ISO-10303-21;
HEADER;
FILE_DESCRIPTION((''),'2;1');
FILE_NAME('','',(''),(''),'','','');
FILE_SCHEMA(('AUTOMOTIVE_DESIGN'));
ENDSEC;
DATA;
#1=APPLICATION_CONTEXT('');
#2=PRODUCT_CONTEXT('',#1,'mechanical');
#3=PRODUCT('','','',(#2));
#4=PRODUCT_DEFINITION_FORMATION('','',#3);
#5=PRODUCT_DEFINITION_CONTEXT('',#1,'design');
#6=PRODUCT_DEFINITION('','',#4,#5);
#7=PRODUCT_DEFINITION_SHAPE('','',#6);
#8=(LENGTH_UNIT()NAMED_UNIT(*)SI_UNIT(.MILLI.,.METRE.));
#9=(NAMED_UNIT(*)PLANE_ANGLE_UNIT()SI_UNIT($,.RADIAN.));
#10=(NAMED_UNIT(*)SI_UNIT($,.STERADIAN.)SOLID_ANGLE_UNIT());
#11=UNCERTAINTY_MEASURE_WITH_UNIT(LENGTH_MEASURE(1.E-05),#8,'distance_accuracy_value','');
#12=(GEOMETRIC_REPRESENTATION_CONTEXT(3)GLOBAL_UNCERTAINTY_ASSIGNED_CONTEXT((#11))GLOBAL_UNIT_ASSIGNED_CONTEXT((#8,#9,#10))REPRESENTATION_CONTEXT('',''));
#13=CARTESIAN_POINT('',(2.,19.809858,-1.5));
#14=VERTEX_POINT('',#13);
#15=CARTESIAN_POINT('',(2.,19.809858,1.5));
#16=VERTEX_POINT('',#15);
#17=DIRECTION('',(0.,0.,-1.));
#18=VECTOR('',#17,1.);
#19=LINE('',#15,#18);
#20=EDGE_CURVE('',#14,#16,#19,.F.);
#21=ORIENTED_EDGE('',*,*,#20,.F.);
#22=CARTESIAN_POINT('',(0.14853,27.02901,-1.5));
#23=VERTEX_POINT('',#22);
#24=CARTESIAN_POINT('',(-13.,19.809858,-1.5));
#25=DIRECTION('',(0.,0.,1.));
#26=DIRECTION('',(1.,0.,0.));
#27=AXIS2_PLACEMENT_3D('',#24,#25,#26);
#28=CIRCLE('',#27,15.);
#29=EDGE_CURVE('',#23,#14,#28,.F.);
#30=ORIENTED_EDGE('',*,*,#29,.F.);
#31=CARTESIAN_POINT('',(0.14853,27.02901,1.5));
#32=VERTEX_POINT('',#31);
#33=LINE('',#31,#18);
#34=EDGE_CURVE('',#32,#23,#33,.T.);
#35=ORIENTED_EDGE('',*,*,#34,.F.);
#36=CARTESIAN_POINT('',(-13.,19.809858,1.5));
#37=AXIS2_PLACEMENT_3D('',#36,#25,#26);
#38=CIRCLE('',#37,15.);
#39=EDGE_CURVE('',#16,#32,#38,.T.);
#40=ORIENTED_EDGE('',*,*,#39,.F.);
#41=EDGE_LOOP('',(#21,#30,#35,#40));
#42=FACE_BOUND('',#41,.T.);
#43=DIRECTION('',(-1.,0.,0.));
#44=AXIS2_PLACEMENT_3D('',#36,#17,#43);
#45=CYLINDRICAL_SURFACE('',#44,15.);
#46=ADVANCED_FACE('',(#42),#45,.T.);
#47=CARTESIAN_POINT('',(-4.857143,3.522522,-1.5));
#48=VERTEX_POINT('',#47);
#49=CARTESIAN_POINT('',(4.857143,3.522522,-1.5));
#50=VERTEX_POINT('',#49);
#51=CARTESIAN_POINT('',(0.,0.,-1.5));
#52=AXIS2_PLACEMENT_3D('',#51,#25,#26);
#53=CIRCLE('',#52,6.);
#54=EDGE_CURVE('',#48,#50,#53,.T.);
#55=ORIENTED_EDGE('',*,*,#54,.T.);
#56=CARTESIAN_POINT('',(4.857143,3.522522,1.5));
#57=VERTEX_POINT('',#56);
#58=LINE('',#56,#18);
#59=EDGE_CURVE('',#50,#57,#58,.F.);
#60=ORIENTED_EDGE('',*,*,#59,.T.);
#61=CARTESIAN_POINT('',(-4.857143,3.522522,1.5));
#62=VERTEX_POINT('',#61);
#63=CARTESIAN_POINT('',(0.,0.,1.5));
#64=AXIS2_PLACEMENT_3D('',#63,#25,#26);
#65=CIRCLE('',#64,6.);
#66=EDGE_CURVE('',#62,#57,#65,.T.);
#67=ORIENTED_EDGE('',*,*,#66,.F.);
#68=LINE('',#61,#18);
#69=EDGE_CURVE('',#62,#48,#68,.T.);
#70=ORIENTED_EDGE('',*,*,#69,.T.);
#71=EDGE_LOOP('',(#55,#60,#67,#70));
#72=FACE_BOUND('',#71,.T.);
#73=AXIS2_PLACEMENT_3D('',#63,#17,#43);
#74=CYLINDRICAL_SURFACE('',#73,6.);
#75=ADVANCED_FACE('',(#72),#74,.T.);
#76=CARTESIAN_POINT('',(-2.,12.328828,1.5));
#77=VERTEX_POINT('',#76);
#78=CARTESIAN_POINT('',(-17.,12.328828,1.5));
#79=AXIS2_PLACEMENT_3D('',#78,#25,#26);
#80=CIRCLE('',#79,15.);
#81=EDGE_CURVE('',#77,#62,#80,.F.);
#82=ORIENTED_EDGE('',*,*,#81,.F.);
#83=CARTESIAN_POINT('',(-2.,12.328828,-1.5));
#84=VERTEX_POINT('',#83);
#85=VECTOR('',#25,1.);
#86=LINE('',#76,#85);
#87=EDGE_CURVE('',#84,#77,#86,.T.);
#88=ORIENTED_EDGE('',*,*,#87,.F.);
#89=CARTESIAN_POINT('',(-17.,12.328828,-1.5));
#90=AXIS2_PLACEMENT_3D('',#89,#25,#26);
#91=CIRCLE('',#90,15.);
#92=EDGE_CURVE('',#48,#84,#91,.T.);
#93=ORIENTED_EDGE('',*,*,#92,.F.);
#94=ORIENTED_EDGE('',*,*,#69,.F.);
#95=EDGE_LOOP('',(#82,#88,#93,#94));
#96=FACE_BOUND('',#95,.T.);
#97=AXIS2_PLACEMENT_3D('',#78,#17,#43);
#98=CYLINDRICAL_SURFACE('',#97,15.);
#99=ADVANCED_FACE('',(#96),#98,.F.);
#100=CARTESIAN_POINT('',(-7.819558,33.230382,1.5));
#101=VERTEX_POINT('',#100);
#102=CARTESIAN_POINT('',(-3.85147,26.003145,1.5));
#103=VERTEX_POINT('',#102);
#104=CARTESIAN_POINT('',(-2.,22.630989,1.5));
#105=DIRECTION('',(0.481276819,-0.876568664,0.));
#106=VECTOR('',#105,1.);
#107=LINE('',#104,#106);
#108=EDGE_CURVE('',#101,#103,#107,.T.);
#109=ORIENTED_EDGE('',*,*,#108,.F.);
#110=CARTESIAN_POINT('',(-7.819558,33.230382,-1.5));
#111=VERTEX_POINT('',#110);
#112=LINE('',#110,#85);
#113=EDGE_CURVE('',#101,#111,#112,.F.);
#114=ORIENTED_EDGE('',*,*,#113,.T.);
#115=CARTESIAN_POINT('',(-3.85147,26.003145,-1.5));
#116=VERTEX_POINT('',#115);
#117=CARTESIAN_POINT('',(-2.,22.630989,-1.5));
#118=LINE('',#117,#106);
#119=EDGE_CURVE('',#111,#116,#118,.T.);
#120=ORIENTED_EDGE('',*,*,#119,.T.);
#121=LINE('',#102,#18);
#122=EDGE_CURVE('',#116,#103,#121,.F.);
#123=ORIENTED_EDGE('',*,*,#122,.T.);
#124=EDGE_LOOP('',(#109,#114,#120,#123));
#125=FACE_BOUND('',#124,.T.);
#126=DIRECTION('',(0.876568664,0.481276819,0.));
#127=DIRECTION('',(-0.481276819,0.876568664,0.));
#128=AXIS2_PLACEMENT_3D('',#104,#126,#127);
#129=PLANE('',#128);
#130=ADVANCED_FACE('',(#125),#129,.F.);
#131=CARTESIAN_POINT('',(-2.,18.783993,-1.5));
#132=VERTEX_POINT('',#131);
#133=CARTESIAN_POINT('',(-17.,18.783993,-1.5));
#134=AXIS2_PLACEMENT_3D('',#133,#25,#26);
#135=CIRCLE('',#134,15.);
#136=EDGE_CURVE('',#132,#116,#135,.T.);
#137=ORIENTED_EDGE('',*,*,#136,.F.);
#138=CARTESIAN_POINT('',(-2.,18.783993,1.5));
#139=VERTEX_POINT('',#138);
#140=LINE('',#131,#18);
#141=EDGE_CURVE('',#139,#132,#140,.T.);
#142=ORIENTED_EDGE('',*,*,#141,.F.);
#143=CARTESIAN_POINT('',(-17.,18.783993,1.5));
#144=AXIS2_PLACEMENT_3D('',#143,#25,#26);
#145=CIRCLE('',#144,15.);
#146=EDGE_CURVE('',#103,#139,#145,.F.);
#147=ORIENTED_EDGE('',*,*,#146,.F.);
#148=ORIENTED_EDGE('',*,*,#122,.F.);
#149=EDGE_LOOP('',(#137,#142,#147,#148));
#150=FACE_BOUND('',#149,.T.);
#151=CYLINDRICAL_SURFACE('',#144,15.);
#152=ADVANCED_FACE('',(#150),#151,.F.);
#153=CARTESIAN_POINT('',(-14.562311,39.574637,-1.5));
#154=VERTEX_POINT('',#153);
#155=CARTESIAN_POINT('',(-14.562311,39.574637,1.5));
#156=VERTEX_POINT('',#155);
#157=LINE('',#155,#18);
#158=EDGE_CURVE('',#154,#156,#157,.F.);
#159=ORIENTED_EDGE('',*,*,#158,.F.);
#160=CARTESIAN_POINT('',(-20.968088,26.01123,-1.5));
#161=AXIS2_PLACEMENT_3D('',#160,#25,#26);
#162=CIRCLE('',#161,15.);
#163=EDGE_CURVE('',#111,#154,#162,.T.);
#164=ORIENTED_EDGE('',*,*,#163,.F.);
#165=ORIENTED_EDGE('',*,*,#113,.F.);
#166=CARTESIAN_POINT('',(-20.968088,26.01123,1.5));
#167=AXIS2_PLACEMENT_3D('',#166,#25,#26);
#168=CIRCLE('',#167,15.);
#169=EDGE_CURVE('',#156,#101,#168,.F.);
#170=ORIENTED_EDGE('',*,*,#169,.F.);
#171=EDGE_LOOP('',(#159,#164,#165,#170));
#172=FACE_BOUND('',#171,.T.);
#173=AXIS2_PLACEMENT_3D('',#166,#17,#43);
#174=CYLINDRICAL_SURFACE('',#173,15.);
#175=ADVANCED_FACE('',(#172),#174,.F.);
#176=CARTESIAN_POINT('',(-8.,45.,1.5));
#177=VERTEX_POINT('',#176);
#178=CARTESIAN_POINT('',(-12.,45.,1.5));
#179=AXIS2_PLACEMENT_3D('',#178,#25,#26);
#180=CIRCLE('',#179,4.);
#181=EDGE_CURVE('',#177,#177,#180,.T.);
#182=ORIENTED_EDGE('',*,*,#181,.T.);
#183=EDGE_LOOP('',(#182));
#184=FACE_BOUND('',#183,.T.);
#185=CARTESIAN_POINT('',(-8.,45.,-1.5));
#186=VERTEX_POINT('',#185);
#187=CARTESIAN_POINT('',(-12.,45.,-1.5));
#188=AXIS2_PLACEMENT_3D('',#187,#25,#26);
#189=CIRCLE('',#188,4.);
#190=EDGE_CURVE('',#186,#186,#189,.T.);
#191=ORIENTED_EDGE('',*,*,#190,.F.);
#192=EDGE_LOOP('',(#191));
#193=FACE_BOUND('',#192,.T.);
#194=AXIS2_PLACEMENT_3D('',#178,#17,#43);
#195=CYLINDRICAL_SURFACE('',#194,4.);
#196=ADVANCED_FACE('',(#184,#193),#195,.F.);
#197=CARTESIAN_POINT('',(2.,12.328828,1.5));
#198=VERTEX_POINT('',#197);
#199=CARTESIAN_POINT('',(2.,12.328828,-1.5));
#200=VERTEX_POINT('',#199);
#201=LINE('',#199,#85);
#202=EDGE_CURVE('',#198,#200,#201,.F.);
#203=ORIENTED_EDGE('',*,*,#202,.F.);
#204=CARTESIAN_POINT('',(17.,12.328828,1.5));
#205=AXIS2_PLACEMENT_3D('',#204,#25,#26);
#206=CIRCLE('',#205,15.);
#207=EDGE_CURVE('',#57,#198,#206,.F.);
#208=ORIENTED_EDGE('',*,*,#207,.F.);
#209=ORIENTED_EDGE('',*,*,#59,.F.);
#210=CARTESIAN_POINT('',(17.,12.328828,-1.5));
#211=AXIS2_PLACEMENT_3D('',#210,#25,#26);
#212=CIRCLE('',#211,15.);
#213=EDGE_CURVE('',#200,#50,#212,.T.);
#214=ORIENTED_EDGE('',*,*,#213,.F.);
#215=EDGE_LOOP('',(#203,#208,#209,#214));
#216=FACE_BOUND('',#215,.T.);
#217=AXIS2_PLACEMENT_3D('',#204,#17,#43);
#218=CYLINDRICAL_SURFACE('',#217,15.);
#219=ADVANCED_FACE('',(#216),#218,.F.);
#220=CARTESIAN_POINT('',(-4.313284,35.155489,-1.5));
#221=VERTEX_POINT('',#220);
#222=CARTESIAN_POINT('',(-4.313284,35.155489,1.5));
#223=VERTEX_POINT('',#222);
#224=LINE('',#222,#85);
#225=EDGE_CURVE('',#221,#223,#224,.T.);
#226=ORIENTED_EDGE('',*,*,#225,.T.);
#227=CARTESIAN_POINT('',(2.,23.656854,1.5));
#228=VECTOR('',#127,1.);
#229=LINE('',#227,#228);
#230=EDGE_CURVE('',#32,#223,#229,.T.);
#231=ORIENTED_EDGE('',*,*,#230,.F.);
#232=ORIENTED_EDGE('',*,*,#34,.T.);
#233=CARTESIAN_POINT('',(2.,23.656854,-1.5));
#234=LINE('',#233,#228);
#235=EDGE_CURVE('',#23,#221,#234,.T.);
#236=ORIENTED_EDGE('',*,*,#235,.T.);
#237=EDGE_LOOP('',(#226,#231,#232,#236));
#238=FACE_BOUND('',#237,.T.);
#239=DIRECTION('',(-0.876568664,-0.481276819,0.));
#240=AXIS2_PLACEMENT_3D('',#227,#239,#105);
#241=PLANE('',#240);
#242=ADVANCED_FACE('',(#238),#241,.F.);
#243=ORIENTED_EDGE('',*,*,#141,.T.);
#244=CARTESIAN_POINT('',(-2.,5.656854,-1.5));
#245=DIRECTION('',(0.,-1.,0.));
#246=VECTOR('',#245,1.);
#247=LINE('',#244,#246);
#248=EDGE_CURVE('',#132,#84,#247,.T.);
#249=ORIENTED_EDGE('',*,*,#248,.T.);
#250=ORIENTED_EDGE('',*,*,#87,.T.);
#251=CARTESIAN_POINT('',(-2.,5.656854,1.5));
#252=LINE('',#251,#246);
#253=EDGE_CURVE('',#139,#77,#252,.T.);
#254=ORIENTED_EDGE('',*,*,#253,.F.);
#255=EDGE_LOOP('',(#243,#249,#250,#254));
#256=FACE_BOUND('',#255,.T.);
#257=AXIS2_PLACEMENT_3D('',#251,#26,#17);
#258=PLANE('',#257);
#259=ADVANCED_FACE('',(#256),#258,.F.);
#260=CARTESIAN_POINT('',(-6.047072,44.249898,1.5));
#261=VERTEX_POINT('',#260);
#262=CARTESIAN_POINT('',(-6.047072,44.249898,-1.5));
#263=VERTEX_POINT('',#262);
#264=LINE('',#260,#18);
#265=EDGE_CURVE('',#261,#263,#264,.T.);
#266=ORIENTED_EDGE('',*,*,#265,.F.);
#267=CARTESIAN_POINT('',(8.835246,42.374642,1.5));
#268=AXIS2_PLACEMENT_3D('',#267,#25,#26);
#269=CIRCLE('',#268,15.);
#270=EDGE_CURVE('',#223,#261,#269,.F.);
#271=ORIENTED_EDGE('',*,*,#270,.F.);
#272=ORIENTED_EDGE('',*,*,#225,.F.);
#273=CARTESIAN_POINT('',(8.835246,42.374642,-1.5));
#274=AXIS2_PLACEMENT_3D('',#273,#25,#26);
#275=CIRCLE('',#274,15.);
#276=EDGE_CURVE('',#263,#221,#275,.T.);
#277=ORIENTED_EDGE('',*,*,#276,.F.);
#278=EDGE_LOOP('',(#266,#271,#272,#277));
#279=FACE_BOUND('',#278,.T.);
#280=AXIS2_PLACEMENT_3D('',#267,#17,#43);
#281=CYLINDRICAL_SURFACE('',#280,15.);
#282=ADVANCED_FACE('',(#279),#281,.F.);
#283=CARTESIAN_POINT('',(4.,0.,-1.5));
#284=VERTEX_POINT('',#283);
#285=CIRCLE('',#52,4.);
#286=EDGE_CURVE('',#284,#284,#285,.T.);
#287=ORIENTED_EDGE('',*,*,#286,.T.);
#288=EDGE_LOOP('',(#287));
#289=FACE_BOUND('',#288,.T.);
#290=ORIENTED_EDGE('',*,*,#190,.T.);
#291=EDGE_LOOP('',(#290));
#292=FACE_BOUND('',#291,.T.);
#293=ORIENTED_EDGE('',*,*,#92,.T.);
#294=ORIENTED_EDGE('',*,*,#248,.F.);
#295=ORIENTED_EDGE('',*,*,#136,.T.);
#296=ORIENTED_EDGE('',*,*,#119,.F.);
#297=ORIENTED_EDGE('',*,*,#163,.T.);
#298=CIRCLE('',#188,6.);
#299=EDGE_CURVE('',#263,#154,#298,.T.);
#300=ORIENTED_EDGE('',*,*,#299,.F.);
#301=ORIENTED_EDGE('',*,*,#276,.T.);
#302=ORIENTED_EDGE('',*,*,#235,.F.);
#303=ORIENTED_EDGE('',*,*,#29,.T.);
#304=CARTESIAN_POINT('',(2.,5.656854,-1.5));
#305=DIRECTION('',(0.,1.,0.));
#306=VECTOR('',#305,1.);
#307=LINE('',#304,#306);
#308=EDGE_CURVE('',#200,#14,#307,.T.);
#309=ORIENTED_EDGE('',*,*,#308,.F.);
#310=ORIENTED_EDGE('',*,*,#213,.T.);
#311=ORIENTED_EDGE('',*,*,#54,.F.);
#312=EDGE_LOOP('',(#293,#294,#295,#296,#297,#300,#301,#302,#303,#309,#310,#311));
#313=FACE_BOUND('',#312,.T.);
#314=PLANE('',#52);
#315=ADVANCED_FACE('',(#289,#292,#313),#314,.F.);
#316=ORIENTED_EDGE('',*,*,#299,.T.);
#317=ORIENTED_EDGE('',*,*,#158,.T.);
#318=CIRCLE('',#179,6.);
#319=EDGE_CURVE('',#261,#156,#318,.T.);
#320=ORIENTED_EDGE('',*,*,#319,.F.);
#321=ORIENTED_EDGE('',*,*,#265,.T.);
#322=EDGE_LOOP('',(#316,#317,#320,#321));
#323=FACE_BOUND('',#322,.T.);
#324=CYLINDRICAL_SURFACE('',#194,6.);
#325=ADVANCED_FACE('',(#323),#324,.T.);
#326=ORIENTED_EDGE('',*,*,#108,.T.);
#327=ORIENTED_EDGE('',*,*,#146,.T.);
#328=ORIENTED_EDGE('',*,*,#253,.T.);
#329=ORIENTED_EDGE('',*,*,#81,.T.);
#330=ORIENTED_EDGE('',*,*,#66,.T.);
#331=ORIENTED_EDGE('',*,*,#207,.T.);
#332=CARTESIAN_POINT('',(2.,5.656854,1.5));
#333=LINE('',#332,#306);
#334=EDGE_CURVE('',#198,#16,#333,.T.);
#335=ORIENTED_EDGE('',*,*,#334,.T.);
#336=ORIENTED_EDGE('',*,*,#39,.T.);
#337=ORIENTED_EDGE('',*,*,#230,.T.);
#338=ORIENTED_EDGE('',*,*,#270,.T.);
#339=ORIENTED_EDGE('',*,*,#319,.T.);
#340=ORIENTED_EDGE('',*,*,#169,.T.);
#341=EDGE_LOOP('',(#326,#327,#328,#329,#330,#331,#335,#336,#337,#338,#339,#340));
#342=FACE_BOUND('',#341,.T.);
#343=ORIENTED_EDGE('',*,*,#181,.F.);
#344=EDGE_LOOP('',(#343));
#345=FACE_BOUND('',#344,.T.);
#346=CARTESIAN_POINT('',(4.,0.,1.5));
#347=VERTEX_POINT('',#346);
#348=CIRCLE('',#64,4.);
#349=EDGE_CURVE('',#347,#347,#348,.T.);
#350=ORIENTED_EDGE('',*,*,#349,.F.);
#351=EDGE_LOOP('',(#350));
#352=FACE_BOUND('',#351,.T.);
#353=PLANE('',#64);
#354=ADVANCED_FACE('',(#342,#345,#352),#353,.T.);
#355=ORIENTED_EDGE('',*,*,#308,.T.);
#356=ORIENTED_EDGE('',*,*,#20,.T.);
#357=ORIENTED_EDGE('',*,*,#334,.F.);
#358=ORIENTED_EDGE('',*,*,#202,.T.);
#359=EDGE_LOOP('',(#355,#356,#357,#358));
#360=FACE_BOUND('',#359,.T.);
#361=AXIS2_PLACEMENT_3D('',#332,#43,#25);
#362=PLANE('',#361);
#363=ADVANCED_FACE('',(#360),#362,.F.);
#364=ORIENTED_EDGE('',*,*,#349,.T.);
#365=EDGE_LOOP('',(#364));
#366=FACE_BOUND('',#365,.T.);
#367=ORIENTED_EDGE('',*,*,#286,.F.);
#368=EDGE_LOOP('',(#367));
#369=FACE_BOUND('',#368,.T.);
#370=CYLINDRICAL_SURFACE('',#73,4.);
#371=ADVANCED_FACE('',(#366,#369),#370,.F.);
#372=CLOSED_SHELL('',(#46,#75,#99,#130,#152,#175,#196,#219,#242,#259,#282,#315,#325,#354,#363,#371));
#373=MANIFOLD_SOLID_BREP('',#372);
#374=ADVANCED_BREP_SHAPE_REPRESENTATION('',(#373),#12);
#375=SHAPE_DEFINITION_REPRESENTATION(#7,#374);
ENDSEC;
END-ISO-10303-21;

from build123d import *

# Parameters (mm, degrees)
SKETCH1_R           = 4
BOSS_EXTRUDE1_DEPTH = 1.5
FILLET3_R           = 15


with BuildPart() as part:
    # Sketch1 → Boss-Extrude1 (new, symmetric)
    with BuildSketch(Plane.XY):
        with BuildLine():
            Line((-2, 5.656854249), (-2, 22.630988629))
            Line((-2, 22.630988629), (-11.030624508, 39.078825188))
            ThreePointArc((-11.030624508, 39.078825188), (-14.887660916, 50.259411986), (-7.524349851, 41.003932465))
            Line((-7.524349851, 41.003932465), (2, 23.656854249))
            Line((2, 23.656854249), (2, 5.656854249))
            ThreePointArc((2, 5.656854249), (0, -6), (-2, 5.656854249))
        make_face()
        Circle(SKETCH1_R, mode=Mode.SUBTRACT)
        with Locations((-12, 45)):
            Circle(SKETCH1_R, mode=Mode.SUBTRACT)
    extrude(amount=BOSS_EXTRUDE1_DEPTH, both=True)

    # Fillet3
    fillet3_edges = [part.edges().sort_by_distance(p)[0] for p in [
        (-2, 5.656854249, 0),
        (-2, 22.630988629, 0),
        (-11.030624508, 39.078825188, 0),
        (-7.524349851, 41.003932465, 0),
        (2, 23.656854249, 0),
        (2, 5.656854249, 0),
    ]]
    fillet(fillet3_edges, radius=FILLET3_R)


solid = part.part
